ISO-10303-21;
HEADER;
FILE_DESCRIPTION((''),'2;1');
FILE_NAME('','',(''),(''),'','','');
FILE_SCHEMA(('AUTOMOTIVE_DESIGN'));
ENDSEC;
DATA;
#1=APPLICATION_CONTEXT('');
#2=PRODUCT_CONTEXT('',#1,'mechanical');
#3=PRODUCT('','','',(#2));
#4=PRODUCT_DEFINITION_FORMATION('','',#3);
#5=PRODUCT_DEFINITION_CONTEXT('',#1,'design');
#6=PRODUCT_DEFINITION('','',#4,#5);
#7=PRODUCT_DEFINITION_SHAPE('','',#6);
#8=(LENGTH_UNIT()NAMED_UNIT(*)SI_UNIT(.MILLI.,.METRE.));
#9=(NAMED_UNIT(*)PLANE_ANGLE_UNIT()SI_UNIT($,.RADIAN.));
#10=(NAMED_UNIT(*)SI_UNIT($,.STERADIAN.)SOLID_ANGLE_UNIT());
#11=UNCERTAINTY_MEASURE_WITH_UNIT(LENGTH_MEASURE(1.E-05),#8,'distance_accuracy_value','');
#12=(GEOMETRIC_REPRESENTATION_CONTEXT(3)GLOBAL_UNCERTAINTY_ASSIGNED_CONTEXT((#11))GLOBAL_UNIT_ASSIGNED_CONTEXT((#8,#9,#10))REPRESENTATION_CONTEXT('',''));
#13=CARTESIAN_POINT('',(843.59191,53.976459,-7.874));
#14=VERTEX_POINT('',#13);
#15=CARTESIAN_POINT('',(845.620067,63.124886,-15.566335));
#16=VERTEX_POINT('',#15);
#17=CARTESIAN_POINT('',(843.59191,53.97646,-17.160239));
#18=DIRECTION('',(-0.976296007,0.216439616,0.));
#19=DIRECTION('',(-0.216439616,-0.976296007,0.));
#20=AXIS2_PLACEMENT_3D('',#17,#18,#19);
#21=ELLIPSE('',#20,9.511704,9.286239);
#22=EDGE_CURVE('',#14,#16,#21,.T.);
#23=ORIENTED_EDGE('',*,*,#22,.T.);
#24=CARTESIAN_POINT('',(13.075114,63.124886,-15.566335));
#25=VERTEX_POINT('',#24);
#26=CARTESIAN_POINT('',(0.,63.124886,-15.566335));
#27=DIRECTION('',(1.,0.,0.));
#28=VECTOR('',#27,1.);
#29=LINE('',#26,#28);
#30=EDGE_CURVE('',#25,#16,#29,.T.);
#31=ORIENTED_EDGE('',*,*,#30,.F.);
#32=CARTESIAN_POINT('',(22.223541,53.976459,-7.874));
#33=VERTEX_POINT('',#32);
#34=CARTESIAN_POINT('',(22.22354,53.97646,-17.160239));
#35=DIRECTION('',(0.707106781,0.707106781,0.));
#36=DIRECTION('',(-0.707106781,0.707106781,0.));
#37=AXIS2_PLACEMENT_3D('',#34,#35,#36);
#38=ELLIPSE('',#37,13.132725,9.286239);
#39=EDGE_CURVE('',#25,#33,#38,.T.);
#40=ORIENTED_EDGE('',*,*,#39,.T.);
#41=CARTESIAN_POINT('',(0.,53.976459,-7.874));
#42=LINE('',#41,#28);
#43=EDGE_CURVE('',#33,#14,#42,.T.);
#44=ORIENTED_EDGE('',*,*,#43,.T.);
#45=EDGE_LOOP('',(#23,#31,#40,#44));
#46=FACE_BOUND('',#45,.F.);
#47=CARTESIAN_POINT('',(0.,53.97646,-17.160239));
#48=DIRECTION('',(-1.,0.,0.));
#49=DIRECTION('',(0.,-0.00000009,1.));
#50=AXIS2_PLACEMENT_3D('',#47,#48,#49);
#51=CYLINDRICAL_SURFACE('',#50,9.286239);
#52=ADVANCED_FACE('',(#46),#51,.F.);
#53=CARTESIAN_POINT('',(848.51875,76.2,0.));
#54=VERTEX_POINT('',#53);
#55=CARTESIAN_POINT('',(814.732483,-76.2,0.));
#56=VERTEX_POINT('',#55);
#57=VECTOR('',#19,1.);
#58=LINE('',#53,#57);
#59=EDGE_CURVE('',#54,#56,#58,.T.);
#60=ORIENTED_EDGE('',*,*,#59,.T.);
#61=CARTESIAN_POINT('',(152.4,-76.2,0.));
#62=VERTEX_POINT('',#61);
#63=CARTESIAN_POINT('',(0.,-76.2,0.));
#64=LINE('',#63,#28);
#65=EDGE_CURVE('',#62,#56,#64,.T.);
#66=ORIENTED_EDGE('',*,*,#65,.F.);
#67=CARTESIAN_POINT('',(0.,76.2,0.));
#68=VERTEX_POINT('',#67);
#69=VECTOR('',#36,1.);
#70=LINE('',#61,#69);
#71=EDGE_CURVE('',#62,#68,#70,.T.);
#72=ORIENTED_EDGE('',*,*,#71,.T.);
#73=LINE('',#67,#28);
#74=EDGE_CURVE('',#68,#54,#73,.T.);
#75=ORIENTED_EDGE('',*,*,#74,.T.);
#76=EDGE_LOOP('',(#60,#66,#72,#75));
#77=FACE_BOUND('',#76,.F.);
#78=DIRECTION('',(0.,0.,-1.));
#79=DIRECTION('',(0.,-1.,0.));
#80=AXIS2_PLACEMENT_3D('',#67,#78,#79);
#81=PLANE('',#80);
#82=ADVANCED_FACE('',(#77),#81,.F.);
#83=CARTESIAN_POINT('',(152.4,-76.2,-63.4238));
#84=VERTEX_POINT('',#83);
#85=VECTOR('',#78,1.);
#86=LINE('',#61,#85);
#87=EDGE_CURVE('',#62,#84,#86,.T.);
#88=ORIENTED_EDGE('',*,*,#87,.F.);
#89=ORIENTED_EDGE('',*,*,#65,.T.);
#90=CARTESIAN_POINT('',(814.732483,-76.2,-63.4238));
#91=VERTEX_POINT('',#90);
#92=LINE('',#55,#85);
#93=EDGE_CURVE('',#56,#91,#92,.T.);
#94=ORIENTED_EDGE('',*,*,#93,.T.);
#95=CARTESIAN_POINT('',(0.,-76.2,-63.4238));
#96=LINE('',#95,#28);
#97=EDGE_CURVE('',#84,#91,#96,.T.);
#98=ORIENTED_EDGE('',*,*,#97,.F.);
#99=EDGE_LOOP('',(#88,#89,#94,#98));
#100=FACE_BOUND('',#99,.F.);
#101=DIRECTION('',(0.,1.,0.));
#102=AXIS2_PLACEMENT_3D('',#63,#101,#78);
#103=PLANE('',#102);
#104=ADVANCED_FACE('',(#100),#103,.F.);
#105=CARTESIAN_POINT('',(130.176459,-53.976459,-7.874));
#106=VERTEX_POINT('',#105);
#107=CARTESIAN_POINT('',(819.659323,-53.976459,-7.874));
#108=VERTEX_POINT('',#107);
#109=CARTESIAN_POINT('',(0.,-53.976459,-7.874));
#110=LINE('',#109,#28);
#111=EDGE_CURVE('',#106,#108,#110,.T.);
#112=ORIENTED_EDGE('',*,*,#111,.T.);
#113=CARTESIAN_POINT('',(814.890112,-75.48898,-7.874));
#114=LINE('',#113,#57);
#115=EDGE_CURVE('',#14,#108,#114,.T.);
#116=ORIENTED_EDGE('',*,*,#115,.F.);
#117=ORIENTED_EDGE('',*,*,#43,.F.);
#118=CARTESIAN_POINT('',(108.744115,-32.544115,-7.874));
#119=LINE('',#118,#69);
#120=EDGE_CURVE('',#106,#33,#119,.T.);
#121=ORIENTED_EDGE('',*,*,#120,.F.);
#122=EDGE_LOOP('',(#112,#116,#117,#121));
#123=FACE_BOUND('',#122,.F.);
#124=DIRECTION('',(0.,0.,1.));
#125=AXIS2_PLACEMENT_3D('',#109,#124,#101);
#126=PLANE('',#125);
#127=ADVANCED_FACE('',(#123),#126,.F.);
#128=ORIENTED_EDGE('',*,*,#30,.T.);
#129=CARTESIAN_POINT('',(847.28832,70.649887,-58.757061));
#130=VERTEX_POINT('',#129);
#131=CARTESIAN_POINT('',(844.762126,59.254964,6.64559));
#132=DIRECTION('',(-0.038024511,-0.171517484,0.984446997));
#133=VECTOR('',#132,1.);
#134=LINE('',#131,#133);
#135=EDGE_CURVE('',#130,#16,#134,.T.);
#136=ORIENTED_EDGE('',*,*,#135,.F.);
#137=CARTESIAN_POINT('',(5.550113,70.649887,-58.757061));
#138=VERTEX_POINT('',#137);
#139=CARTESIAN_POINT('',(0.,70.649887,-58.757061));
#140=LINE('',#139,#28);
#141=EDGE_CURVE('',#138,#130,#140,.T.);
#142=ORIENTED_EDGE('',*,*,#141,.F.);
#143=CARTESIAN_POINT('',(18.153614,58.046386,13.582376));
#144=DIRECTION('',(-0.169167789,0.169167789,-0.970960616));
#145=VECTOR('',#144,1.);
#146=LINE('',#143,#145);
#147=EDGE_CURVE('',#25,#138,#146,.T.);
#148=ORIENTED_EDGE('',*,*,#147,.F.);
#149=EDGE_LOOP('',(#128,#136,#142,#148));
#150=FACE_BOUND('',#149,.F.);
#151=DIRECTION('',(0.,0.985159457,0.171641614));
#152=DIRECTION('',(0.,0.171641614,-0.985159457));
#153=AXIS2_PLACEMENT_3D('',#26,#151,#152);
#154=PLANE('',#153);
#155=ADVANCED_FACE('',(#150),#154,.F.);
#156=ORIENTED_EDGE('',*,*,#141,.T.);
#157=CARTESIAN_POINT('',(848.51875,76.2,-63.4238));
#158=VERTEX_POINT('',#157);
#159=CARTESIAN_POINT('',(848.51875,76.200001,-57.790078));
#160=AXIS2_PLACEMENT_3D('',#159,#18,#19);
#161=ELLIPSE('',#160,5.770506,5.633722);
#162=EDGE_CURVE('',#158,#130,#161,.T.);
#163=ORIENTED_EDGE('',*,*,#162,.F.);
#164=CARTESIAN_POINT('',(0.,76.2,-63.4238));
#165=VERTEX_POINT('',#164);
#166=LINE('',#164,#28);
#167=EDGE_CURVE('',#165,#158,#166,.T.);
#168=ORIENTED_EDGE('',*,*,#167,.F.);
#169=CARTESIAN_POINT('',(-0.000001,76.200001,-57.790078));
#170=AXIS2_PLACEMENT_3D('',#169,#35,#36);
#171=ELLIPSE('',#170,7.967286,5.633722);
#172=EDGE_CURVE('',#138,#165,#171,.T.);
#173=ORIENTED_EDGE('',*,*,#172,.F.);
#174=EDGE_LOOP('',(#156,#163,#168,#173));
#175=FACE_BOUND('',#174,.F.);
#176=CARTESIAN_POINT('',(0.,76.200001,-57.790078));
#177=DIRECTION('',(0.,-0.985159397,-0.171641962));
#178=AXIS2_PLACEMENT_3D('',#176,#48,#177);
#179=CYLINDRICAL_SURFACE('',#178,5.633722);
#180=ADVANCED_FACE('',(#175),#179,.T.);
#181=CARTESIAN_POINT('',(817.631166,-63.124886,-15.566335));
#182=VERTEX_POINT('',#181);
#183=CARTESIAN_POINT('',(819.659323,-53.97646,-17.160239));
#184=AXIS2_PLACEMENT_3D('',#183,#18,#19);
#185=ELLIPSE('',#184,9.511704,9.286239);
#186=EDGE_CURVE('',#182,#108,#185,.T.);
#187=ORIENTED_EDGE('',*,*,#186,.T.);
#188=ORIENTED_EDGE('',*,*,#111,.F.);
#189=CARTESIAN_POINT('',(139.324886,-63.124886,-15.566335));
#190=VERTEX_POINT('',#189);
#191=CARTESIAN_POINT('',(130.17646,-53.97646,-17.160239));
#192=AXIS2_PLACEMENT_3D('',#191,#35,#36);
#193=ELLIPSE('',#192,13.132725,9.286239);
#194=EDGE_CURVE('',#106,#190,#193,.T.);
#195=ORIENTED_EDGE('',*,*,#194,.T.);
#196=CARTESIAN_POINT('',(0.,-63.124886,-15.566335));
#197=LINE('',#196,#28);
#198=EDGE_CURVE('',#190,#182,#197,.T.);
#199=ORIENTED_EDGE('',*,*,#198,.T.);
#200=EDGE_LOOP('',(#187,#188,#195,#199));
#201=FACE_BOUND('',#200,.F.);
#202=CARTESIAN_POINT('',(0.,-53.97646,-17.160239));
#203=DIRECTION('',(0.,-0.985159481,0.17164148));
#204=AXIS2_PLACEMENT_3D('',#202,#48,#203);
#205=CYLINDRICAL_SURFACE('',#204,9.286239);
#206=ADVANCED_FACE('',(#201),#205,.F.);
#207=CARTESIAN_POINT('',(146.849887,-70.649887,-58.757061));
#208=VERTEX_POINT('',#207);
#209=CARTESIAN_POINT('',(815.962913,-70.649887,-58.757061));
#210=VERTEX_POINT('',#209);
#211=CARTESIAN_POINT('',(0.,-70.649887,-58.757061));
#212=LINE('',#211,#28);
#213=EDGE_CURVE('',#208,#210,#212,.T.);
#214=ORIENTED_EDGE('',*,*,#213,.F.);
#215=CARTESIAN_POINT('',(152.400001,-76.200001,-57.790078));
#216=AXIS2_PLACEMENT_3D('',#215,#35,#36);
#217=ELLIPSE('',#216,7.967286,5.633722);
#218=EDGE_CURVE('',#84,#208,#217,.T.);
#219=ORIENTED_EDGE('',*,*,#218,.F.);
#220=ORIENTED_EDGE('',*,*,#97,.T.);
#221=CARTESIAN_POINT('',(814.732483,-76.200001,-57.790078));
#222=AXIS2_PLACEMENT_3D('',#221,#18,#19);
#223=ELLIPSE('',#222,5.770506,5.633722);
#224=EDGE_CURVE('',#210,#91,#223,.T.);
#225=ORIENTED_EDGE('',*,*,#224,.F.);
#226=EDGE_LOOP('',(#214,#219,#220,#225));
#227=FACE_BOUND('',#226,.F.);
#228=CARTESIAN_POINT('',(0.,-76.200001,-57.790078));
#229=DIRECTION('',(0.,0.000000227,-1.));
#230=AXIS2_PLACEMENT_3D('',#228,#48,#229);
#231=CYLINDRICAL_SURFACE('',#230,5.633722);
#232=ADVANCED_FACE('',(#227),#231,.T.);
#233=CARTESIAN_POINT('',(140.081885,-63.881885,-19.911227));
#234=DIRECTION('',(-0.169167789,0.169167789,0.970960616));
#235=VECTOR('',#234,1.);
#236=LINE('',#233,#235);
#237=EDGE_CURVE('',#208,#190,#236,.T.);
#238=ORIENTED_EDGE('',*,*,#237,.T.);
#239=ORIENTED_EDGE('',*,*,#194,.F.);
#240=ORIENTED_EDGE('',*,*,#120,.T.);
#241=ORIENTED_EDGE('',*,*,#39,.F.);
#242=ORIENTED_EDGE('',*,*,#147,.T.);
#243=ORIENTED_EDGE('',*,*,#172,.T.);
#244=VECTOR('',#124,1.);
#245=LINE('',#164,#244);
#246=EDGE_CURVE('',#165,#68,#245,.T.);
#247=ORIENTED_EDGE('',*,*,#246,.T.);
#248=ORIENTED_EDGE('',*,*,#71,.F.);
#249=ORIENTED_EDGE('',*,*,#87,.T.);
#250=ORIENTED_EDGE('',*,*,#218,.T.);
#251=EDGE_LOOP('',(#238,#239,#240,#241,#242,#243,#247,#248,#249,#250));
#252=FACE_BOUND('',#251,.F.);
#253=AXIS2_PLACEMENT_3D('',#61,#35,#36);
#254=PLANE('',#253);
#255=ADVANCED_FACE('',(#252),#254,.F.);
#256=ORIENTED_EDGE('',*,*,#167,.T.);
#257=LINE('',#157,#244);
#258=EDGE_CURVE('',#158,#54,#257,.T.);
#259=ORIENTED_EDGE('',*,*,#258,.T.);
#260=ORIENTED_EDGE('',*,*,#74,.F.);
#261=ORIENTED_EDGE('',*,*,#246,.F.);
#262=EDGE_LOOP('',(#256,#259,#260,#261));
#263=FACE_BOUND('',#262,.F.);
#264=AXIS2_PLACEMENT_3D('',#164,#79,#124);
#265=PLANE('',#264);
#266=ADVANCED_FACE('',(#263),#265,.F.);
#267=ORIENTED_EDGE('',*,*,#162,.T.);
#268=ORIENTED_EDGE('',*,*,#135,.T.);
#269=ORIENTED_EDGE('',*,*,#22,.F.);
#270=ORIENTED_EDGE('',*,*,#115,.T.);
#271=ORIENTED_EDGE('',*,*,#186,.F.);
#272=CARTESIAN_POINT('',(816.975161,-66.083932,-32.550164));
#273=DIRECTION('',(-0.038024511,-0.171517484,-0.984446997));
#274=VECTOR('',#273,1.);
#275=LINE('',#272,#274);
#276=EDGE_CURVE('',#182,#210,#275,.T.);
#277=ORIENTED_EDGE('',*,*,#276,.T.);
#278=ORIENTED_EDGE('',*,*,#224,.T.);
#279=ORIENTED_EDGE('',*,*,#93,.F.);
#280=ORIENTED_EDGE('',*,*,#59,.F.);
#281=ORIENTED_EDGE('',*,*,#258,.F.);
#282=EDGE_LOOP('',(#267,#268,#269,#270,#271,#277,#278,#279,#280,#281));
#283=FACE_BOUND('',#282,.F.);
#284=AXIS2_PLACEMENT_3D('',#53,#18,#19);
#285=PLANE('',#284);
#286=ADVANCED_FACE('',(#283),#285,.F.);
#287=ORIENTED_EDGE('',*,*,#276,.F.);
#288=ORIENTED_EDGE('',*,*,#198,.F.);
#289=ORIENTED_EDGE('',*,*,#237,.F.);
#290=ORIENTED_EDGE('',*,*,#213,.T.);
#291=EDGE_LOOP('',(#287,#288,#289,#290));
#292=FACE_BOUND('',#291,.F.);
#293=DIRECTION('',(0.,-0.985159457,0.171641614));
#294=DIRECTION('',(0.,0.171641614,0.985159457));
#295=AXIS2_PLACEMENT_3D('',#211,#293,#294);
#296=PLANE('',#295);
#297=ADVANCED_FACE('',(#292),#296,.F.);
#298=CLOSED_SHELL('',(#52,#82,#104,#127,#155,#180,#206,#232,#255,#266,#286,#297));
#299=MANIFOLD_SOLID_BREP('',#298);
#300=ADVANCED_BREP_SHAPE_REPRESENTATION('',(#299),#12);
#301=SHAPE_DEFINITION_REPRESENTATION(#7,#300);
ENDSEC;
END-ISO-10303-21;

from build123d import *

# Parameters (mm, degrees)
F1_DEPTH = 848.51875
F3_DEPTH = 63.4248


with BuildPart() as f1:
    # F0 (on Right) → F1 (new body)
    with BuildSketch(Plane.YZ):
        with BuildLine():
            Line((76.2, 0), (-76.2, 0))
            Line((-76.2, 0), (-76.2, -63.4238))
            ThreePointArc((-76.2, -63.4238), (-72.574321, -62.102069), (-70.649887, -58.757061))
            Line((-70.649887, -58.757061), (-63.124886, -15.566335))
            ThreePointArc((-63.124886, -15.566335), (-59.952782, -10.052651), (-53.976459, -7.874))
            Line((-53.976459, -7.874), (53.976459, -7.874))
            ThreePointArc((53.976459, -7.874), (59.952782, -10.052651), (63.124886, -15.566335))
            Line((63.124886, -15.566335), (70.649887, -58.757061))
            ThreePointArc((70.649887, -58.757061), (72.574321, -62.102069), (76.2, -63.4238))
            Line((76.2, -63.4238), (76.2, 0))
        make_face()
    extrude(amount=F1_DEPTH)

    # F2 (on face) → F3 (cut, through all)
    with BuildSketch(Plane.XY):
        Polygon((152.4, -76.2), (0, 76.2), (0, -76.2), align=None)
        Polygon((848.51875, -76.2), (848.51875, 76.2), (814.732483, -76.2), align=None)
    extrude(amount=-F3_DEPTH, mode=Mode.SUBTRACT)


solid = f1.part
